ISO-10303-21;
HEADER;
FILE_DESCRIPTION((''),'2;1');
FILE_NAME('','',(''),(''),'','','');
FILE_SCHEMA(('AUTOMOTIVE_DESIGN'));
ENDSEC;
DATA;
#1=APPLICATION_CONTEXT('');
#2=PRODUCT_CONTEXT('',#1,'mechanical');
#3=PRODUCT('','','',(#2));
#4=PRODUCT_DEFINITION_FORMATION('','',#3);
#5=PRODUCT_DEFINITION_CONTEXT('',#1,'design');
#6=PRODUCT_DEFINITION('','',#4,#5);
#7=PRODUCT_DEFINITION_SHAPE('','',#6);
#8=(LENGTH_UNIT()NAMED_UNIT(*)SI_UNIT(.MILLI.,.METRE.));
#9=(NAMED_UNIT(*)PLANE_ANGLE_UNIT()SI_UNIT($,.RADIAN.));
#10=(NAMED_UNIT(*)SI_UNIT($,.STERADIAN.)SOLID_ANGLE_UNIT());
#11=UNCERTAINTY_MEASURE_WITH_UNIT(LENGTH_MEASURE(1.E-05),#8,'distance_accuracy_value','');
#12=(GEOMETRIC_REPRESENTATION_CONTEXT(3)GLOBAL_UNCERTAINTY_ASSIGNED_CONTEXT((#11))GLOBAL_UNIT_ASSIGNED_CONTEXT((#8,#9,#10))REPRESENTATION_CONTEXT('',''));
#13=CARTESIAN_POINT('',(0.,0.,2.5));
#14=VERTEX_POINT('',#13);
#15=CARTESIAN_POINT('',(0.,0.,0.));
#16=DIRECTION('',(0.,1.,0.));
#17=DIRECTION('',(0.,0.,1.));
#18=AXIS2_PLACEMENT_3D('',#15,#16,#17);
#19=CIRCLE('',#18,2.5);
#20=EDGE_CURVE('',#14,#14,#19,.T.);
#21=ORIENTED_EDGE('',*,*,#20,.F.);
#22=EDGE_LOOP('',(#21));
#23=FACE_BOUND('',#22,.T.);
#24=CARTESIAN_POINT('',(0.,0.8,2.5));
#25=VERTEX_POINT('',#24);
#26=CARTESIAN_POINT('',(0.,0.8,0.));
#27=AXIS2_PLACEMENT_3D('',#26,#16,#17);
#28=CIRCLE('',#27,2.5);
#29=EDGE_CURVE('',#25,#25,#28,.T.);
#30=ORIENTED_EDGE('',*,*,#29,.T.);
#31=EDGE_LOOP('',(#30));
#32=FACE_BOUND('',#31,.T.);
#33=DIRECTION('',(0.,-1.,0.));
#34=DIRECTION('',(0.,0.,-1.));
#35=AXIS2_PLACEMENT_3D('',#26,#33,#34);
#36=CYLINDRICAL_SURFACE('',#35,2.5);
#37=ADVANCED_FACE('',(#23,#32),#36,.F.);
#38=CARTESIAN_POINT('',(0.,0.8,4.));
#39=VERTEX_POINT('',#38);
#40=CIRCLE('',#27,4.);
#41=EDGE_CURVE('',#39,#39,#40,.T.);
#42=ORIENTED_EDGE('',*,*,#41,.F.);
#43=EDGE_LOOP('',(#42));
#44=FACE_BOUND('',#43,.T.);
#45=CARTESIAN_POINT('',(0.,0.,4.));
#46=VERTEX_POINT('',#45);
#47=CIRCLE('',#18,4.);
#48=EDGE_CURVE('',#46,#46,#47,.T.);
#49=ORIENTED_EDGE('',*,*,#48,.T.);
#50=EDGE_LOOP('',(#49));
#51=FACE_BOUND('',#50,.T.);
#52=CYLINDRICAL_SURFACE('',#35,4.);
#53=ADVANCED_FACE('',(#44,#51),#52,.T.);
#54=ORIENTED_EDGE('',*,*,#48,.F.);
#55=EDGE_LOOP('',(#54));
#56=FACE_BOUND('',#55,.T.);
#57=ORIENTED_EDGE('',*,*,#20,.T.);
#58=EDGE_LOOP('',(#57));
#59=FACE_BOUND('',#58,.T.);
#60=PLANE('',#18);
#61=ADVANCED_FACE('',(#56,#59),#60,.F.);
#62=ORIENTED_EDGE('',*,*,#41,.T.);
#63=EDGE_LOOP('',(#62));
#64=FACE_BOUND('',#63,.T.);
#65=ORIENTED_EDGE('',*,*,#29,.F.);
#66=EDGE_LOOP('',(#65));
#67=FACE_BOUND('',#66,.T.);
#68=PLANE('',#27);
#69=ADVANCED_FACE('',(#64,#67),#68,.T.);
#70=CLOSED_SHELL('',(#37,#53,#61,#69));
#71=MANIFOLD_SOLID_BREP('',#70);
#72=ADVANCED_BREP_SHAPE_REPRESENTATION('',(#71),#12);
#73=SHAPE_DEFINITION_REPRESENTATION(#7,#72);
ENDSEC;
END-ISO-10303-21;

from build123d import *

# Parameters (mm, degrees)
SKETCH_1_R      = 4
SKETCH_1_R_2    = 2.5
EXTRUDE_1_DEPTH = 0.8


with BuildPart() as part:
    # 草图1 → 凸台-拉伸1 (new body)
    with BuildSketch(Plane(origin=(0, 0, 0), x_dir=(1, 0, 0), z_dir=(0, 1, 0))):
        with Locations(Location((0, 0, 0), (0, 0, 270))):
            Circle(SKETCH_1_R)
        with Locations(Location((0, 0, 0), (0, 0, 270))):
            Circle(SKETCH_1_R_2, mode=Mode.SUBTRACT)
    extrude(amount=EXTRUDE_1_DEPTH)


solid = part.part
